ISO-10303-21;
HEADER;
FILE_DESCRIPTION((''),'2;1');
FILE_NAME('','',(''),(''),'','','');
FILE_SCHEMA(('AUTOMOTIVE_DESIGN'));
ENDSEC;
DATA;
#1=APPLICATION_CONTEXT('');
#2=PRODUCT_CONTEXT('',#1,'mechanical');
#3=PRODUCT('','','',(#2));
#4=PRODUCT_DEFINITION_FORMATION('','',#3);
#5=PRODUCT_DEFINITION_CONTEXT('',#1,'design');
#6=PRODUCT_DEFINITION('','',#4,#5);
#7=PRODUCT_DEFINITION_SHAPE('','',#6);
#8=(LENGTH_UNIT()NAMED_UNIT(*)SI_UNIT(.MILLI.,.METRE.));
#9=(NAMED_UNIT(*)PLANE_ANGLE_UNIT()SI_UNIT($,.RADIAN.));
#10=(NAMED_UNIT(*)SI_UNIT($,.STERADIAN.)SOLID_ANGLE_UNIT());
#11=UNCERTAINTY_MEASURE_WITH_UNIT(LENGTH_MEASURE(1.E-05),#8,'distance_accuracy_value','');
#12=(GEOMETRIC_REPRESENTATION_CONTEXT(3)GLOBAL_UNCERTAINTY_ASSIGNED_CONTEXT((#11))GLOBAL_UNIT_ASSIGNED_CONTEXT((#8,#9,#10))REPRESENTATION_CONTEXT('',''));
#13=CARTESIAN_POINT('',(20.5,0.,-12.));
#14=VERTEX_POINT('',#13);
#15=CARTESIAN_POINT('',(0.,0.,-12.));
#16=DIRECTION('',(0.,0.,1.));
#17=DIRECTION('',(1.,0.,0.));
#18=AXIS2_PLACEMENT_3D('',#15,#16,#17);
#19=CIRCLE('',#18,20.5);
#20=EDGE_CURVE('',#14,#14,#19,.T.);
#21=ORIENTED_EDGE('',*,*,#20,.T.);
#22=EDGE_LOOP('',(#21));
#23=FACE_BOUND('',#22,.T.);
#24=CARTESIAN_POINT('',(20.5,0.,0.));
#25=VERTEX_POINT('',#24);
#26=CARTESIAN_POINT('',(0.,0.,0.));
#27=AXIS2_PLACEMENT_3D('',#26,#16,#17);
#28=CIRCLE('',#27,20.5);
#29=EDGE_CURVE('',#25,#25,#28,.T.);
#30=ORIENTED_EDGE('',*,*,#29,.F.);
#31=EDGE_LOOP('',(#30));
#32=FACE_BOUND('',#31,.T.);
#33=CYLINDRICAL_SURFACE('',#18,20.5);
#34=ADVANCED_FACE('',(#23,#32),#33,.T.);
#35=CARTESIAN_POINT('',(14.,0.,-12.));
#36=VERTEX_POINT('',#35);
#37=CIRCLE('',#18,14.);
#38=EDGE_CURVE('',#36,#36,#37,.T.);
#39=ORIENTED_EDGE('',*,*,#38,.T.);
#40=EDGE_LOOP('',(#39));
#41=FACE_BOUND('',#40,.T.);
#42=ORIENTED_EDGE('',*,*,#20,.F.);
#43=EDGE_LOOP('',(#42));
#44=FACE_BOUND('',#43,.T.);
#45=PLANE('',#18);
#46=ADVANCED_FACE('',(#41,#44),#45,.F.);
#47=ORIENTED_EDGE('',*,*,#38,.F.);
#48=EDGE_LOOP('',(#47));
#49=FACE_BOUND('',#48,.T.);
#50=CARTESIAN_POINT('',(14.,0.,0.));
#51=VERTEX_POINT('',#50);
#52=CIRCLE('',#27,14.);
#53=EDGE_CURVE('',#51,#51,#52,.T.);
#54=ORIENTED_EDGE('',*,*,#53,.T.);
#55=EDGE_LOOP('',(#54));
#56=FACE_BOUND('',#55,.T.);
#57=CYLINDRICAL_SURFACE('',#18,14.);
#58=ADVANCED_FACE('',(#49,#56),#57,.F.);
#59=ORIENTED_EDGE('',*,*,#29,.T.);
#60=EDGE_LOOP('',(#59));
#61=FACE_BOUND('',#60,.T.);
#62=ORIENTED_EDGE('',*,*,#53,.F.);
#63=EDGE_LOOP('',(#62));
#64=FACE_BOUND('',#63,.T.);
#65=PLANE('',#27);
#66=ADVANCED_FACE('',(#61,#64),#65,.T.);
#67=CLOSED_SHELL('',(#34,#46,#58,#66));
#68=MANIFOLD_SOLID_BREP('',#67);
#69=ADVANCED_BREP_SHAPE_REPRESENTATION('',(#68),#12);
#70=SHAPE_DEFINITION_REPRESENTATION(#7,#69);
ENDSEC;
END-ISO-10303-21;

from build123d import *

# Parameters (mm, degrees)
SKETCH1_R           = 20.5
SKETCH1_R_2         = 14
BOSS_EXTRUDE1_DEPTH = 12


with BuildPart() as part:
    # Sketch1 → Boss-Extrude1 (new body)
    with BuildSketch(Plane.XY):
        Circle(SKETCH1_R)
        Circle(SKETCH1_R_2, mode=Mode.SUBTRACT)
    extrude(amount=-BOSS_EXTRUDE1_DEPTH)


solid = part.part
